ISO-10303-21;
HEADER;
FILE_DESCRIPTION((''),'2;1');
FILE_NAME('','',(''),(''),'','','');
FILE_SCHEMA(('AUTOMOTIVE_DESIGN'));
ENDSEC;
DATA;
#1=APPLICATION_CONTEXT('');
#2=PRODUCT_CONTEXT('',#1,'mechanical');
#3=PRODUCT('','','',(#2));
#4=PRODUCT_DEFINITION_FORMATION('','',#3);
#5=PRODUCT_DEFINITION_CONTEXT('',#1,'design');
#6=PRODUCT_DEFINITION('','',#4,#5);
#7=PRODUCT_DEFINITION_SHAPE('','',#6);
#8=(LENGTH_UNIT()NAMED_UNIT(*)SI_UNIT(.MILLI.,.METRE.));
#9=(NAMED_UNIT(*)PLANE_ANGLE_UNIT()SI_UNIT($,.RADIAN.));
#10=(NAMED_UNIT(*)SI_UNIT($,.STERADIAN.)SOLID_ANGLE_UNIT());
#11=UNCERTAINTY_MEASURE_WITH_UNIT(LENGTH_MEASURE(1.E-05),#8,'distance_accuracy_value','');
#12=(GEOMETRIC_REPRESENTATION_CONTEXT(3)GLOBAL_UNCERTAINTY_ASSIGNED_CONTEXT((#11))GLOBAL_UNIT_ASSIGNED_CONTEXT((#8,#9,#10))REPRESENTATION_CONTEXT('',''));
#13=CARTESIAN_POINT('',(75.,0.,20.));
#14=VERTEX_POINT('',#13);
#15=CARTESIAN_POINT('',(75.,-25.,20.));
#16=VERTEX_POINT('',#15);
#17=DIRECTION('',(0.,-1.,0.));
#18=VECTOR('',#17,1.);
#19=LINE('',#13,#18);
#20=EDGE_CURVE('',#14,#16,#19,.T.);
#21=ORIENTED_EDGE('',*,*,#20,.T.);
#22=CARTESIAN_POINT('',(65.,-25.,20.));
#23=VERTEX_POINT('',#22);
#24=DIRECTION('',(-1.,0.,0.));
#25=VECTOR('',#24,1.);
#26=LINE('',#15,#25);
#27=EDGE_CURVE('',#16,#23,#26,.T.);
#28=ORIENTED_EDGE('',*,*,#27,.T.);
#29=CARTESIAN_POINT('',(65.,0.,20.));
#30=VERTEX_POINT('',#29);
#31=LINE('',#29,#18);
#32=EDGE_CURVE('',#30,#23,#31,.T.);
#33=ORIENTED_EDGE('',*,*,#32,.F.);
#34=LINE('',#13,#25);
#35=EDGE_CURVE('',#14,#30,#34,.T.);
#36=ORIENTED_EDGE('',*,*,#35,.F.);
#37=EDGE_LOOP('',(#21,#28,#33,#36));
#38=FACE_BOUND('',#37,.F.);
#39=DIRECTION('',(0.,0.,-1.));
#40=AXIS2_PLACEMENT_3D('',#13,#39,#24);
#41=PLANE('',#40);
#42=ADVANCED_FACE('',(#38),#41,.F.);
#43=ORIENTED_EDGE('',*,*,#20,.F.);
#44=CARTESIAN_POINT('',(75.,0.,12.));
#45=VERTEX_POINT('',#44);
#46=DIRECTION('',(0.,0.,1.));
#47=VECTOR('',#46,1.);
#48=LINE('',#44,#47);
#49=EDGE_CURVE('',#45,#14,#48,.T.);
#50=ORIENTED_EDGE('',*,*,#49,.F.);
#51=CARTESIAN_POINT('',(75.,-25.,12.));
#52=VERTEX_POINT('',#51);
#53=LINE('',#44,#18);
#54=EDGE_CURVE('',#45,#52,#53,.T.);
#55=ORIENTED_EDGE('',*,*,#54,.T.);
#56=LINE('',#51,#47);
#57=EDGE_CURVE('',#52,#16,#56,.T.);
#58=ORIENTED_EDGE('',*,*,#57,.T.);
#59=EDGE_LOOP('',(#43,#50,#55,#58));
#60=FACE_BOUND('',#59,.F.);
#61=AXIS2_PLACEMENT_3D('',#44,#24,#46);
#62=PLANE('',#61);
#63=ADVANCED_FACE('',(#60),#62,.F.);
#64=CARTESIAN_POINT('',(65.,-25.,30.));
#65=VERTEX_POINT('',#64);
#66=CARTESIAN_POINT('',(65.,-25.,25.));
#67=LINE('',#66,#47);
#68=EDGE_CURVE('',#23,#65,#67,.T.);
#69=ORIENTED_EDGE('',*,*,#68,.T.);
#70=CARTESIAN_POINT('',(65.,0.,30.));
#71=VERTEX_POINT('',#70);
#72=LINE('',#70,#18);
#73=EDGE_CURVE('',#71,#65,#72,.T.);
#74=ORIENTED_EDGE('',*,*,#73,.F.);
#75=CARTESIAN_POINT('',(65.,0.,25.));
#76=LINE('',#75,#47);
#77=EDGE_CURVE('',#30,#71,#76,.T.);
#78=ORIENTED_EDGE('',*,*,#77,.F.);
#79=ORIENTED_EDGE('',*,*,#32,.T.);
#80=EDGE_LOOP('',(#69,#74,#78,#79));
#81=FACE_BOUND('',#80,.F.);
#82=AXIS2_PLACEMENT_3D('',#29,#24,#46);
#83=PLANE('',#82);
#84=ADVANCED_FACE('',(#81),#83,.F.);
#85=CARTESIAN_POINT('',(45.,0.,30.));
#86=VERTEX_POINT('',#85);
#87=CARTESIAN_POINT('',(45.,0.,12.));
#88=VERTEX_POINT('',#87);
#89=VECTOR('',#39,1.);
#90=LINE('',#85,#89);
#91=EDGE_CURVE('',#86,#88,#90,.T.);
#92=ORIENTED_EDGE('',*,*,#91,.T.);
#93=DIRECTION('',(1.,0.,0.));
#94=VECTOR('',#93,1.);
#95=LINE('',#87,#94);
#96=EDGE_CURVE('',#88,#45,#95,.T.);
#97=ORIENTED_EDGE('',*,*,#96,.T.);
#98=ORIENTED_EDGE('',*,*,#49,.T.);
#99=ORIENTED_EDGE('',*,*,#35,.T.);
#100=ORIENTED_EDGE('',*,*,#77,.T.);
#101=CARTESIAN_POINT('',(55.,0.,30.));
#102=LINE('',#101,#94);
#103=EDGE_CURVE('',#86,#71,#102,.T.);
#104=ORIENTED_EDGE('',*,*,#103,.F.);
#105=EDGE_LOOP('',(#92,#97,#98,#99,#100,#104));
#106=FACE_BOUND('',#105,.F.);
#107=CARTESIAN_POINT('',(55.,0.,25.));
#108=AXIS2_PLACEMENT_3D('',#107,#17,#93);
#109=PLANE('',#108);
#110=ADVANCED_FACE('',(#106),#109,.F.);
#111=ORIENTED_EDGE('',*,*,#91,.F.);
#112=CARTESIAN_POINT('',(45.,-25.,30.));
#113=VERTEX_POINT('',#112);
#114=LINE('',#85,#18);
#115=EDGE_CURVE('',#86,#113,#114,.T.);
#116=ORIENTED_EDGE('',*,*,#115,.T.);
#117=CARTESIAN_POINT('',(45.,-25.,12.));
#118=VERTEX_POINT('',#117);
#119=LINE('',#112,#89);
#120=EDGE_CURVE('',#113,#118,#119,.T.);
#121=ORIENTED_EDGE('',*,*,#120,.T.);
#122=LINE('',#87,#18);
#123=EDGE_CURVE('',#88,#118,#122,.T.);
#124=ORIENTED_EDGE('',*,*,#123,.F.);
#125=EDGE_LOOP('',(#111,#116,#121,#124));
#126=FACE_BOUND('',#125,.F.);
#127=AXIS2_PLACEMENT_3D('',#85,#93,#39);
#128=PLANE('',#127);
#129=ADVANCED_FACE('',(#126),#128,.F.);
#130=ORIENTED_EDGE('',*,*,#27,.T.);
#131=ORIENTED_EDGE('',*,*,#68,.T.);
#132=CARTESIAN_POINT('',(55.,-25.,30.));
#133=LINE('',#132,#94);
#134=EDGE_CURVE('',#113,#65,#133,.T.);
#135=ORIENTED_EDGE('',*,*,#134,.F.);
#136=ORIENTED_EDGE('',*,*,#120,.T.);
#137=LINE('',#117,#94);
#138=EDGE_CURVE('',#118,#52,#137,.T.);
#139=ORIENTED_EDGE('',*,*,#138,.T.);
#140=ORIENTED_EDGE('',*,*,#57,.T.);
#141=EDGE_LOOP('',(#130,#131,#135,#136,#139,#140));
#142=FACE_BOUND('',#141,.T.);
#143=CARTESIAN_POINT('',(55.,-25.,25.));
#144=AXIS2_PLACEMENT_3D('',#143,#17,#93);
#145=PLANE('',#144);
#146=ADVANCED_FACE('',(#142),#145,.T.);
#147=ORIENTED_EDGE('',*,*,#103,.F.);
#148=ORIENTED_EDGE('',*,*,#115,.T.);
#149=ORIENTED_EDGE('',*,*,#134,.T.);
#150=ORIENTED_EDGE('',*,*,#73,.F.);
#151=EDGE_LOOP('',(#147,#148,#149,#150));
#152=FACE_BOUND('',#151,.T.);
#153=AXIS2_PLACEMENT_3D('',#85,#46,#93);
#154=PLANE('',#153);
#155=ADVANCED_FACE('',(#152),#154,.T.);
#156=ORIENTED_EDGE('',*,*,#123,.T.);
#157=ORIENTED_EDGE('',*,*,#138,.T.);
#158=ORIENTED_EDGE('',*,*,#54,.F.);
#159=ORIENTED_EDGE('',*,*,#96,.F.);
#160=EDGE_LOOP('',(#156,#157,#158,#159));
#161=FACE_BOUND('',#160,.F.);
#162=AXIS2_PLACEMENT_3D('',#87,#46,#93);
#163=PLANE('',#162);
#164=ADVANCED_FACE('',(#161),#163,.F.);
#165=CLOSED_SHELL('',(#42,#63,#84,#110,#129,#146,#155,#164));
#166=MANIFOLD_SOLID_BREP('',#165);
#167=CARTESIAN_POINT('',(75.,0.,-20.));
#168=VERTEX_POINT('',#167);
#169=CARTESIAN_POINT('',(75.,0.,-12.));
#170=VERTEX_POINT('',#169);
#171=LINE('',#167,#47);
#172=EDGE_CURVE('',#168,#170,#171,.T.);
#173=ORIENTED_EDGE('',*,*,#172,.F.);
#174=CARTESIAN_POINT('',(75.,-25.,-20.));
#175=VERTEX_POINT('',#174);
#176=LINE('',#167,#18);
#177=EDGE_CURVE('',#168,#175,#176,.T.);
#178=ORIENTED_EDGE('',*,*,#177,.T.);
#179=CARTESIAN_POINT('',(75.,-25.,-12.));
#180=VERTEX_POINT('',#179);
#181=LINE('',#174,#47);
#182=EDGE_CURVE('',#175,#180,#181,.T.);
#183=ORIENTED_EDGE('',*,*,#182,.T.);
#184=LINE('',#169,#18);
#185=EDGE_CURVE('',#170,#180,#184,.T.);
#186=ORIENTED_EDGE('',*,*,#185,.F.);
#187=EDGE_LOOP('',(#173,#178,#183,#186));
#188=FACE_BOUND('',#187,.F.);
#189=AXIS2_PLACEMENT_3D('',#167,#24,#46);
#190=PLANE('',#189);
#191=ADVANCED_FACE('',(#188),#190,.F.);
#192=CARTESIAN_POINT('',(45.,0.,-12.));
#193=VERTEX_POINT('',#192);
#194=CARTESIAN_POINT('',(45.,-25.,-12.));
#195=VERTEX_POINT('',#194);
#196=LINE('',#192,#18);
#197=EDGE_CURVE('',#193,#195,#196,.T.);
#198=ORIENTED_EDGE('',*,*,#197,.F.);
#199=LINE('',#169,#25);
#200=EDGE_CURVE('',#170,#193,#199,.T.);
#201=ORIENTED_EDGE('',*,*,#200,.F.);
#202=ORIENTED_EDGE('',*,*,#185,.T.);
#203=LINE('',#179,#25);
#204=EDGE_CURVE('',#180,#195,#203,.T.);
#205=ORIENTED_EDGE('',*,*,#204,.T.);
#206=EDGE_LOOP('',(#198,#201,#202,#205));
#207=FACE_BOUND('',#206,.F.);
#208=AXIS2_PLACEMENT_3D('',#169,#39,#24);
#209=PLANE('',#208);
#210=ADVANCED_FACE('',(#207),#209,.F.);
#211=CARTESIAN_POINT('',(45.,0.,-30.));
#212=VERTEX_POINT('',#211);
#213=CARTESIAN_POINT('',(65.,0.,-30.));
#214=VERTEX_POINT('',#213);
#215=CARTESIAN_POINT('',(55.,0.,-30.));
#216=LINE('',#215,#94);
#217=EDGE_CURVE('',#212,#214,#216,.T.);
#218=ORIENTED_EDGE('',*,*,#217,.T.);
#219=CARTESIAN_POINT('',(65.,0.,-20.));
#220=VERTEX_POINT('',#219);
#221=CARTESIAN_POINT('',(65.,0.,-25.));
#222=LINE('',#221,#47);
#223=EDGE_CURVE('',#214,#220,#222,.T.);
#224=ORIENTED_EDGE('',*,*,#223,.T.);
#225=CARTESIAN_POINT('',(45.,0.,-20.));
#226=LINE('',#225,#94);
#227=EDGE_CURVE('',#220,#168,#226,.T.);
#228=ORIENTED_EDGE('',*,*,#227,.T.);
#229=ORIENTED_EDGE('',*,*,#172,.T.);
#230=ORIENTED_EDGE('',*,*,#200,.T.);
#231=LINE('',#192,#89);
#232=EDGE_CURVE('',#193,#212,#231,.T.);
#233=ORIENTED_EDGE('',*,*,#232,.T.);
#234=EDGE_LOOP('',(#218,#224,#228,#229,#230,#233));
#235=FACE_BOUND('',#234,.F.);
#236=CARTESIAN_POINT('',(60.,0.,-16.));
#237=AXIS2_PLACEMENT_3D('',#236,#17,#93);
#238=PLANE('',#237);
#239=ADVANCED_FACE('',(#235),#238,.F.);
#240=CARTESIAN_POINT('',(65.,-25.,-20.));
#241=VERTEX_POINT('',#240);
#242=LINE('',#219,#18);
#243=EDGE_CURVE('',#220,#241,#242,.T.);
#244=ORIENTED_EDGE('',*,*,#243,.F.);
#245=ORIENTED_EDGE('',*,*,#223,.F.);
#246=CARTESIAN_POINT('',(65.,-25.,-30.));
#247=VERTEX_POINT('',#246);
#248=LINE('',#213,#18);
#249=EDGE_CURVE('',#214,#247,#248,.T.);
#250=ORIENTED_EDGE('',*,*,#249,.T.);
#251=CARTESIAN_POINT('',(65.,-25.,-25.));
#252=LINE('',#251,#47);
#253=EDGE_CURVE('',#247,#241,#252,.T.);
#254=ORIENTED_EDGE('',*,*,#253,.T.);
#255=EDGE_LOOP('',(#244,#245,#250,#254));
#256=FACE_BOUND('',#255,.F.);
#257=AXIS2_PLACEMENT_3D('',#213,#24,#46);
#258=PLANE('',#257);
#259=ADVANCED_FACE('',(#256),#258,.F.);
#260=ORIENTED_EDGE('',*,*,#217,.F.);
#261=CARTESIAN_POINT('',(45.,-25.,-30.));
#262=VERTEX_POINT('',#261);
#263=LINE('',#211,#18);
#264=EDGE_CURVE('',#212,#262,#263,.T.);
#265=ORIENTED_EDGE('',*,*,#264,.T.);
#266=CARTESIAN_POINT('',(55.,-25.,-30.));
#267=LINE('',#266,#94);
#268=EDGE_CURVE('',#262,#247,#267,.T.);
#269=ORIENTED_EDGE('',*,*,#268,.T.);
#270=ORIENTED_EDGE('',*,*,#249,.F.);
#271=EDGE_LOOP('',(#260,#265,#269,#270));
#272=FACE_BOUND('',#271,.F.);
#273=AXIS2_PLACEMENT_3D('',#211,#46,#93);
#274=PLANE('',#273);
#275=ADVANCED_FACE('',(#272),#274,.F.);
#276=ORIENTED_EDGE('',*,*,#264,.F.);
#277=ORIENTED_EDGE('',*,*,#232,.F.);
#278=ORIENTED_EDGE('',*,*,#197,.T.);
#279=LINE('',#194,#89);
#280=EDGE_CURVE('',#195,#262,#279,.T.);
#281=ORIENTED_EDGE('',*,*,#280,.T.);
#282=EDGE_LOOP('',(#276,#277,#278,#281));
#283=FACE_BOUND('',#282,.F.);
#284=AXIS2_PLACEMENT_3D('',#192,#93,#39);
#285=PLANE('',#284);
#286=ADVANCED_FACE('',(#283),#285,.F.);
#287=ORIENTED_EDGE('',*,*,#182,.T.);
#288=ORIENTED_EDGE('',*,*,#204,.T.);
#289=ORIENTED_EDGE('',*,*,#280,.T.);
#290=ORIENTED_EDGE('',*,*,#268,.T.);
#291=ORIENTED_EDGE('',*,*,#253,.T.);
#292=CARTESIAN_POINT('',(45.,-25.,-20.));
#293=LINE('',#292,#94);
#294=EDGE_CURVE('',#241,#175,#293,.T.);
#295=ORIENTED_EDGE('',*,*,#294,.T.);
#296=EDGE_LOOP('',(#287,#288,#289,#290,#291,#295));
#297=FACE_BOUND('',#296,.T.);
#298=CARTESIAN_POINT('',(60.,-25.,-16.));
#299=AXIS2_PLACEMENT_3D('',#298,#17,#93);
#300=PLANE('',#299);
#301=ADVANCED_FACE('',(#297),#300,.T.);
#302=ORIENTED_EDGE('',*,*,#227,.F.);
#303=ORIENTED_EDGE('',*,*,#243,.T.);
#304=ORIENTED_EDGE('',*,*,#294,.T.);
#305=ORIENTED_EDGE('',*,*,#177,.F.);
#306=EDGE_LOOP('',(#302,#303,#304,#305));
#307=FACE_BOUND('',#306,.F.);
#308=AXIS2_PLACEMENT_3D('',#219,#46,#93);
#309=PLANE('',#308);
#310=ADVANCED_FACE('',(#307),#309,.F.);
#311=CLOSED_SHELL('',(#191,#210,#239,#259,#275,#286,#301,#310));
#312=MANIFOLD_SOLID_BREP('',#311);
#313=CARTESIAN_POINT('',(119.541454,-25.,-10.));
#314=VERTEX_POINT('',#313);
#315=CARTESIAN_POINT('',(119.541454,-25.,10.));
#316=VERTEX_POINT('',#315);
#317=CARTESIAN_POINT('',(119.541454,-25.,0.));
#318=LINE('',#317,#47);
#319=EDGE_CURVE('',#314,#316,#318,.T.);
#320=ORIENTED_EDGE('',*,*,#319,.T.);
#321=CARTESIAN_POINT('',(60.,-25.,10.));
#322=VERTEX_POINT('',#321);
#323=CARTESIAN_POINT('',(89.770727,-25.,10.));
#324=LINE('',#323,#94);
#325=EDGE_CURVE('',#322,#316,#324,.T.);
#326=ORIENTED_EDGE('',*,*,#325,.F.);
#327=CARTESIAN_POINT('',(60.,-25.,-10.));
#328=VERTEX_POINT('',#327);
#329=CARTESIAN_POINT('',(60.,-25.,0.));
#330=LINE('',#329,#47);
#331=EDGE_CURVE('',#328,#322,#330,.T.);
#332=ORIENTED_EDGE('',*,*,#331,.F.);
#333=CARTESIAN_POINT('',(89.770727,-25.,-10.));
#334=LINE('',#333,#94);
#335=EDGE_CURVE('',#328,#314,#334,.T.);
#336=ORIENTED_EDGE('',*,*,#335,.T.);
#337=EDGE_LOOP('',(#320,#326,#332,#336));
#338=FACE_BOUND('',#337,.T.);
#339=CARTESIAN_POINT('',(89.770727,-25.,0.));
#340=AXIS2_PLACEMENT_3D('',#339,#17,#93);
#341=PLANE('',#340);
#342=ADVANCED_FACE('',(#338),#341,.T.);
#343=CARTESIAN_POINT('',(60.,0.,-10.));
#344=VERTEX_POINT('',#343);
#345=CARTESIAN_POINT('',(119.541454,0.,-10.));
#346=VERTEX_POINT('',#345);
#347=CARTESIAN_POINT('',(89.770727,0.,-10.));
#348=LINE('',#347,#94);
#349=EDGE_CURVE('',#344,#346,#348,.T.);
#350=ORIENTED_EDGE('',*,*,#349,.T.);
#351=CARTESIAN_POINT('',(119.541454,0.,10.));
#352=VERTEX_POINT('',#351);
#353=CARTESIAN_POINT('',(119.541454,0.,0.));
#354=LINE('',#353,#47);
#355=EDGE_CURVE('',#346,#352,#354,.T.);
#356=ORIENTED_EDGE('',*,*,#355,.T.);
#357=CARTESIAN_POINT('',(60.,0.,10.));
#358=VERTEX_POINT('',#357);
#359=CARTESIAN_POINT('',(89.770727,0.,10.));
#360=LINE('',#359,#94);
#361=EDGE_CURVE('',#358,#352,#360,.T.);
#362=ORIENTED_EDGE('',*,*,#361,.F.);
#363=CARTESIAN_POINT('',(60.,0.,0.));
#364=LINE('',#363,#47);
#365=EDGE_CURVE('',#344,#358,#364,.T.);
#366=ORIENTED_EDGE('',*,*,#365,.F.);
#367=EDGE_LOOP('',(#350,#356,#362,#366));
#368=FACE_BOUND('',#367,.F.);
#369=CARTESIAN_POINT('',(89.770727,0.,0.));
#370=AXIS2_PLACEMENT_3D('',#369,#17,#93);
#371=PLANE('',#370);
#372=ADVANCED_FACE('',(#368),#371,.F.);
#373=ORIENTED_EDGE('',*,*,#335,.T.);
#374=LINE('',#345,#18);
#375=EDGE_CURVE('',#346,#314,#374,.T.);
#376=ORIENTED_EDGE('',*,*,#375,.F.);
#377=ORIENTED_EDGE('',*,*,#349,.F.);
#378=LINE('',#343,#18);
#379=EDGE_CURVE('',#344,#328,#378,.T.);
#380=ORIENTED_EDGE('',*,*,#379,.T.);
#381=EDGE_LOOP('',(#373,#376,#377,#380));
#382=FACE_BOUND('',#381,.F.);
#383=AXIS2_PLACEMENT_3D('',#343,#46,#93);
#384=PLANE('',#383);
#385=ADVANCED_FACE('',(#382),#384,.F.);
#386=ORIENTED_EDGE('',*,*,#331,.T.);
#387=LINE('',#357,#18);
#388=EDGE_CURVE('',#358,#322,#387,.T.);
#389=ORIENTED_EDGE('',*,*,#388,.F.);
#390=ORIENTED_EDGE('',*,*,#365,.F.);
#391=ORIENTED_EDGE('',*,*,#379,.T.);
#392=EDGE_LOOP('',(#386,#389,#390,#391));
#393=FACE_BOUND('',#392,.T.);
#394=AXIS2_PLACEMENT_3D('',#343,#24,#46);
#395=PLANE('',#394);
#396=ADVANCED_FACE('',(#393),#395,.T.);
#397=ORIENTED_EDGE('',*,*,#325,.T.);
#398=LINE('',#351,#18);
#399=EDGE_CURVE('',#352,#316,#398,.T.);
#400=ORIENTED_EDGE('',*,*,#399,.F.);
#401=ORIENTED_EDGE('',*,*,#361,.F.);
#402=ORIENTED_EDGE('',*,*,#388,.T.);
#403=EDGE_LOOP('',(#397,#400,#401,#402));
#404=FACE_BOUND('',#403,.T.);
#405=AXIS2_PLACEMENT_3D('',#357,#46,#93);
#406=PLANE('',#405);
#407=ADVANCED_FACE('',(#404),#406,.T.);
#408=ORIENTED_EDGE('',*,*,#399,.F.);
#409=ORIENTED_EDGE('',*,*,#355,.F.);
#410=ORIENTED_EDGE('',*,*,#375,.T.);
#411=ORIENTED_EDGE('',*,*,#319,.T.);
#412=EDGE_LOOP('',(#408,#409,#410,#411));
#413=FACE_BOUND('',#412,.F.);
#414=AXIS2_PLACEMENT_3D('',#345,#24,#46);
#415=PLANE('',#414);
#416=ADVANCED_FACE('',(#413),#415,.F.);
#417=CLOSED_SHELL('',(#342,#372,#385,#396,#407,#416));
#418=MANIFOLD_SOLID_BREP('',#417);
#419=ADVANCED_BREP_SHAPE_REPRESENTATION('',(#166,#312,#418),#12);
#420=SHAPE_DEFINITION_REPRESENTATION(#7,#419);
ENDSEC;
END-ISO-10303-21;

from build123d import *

# Parameters (mm, degrees)
F0_W     = 20
F0_H     = 10
F0_W_2   = 59.541454
F0_H_2   = 20
F1_DEPTH = 25


with BuildPart() as f1:
    # F0 (on Front) → F1 (new body)
    with BuildSketch(Plane.XZ):
        with Locations((55, 25)):
            Rectangle(F0_W, F0_H)
        Polygon((65, 20), (45, 20), (45, 12), (75, 12), (75, 20), align=None)
        with Locations((89.770727, 0)):
            Rectangle(F0_W_2, F0_H_2)
        Polygon((45, -12), (45, -20), (65, -20), (75, -20), (75, -12), align=None)
        with Locations((55, -25)):
            Rectangle(F0_W, F0_H)
    extrude(amount=F1_DEPTH)


solid = f1.part
